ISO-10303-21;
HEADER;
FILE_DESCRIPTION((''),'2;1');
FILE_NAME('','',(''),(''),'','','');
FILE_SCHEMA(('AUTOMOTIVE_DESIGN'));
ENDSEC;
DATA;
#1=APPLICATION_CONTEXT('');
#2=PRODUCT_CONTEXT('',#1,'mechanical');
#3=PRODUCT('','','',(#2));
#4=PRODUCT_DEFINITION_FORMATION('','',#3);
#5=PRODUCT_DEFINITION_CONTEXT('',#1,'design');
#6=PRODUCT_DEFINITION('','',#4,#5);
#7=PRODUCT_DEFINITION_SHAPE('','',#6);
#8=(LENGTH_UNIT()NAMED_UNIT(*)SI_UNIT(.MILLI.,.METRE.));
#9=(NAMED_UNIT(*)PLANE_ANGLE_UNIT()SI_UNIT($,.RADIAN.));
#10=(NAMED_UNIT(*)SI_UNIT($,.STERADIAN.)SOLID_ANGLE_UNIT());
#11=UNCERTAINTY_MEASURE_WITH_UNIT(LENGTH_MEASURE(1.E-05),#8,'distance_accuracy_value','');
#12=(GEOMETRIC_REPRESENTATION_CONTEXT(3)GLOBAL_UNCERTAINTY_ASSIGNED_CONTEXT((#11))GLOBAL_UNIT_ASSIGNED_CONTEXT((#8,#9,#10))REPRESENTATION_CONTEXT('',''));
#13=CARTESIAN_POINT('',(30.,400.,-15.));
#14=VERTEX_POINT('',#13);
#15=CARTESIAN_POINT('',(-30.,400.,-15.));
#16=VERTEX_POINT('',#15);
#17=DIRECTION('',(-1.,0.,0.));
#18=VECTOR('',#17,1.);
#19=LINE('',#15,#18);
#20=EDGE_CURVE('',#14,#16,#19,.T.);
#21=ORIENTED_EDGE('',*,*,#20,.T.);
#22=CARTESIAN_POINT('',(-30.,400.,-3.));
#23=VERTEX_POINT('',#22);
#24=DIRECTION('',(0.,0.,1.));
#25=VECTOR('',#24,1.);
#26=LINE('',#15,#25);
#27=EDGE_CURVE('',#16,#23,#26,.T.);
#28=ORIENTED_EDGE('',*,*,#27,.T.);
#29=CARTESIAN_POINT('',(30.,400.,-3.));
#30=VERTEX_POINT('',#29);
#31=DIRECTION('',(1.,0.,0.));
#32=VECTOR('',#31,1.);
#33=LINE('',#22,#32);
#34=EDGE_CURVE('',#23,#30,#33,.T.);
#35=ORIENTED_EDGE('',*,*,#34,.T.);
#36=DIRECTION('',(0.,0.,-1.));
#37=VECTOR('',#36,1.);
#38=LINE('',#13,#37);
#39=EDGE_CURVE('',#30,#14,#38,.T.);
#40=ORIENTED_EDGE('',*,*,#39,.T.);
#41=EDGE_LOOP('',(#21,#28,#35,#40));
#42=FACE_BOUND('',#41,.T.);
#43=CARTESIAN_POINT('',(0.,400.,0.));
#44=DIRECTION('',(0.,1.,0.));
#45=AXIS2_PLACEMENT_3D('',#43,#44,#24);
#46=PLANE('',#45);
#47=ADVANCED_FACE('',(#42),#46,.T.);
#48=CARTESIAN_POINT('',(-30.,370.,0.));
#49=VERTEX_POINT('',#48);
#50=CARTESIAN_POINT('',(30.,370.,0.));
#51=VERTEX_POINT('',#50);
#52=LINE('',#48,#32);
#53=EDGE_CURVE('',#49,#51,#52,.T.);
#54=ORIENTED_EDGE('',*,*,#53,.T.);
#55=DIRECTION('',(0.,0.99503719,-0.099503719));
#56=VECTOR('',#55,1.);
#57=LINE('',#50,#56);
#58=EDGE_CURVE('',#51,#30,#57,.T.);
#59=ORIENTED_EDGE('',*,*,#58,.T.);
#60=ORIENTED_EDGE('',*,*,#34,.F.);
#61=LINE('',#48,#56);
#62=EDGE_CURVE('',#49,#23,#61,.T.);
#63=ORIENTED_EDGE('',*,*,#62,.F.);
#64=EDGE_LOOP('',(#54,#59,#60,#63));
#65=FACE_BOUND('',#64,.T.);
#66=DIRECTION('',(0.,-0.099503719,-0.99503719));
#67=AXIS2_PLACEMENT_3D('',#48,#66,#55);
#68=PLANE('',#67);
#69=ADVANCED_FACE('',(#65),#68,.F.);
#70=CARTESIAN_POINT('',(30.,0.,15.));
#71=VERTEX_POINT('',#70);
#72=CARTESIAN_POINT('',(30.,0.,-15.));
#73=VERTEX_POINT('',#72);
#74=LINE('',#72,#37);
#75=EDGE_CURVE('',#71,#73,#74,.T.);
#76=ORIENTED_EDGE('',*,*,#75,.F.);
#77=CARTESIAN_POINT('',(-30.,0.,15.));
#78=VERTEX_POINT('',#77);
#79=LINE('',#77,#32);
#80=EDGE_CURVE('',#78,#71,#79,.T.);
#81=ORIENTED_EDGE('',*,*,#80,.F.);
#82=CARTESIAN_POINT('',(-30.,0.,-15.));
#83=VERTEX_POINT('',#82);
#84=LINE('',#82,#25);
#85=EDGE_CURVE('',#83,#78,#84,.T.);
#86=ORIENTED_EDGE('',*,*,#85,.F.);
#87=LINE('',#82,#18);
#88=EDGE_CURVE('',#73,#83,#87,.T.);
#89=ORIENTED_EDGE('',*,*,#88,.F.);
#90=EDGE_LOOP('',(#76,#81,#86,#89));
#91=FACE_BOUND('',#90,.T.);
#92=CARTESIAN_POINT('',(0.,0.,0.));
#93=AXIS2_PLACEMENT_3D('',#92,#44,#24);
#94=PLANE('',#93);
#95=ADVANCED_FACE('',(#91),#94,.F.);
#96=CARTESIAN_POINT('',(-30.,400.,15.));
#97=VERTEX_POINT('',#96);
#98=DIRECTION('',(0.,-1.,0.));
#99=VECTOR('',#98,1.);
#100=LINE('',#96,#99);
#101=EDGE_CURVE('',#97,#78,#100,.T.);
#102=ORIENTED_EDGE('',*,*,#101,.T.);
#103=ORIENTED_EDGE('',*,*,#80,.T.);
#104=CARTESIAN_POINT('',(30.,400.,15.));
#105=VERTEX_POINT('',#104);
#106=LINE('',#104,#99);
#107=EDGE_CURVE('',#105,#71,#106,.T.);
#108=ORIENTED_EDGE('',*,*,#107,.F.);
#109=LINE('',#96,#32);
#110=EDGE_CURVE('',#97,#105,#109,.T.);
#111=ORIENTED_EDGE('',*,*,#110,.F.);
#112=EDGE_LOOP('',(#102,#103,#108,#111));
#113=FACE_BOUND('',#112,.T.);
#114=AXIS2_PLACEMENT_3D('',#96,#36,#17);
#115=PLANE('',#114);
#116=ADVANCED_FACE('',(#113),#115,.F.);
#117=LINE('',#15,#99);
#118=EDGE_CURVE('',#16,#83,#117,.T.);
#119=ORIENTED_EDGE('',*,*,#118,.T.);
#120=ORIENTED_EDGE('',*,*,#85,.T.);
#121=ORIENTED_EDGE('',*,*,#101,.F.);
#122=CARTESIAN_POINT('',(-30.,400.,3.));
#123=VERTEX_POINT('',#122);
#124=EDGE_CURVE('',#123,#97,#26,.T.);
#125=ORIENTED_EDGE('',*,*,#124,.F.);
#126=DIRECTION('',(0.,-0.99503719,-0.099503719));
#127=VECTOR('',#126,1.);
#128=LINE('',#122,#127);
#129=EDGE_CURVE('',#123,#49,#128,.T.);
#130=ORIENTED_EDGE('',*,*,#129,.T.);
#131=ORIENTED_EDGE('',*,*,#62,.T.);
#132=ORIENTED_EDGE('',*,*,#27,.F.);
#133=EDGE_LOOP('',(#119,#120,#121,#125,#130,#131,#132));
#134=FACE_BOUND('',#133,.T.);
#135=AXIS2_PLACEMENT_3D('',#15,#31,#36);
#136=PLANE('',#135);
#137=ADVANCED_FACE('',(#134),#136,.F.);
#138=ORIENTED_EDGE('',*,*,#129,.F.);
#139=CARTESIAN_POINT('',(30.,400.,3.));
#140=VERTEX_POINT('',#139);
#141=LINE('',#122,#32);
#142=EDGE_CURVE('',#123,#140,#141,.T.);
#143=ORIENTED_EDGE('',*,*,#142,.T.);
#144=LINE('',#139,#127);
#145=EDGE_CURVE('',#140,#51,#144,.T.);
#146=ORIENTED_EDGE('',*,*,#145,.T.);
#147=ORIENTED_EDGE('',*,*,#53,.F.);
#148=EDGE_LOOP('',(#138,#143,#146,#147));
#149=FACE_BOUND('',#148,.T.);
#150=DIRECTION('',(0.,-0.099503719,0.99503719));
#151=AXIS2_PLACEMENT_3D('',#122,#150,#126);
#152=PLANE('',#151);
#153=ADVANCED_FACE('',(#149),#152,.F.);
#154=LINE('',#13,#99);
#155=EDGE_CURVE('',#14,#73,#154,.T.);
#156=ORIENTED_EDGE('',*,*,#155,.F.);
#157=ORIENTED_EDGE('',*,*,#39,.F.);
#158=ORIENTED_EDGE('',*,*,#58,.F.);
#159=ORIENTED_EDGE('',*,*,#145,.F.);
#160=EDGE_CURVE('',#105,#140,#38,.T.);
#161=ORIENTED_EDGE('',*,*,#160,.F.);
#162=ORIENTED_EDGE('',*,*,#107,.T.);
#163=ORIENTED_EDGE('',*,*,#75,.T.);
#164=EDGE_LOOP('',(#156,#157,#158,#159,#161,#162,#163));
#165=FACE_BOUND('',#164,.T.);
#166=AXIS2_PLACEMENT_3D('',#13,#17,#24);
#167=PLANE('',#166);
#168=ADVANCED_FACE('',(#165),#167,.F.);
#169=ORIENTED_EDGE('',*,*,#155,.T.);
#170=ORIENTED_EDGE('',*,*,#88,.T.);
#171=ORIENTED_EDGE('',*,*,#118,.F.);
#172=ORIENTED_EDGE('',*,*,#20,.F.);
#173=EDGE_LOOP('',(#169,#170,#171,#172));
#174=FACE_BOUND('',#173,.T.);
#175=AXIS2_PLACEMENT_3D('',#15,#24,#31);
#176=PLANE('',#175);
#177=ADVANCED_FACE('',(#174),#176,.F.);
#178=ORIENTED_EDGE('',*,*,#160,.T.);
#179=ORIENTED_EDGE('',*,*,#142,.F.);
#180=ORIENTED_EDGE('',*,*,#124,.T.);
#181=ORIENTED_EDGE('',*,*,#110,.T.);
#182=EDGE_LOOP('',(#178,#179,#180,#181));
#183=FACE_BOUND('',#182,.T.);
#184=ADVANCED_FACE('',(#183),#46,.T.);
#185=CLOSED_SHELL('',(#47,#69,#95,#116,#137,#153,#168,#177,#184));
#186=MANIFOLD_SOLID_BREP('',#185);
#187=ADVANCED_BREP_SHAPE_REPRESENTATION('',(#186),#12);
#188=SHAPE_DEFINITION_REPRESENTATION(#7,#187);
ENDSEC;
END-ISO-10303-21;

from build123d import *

# Parameters (mm, degrees)
SKETCH1_W           = 60
SKETCH1_H           = 30
BOSS_EXTRUDE1_DEPTH = 400
CUT_EXTRUDE1_DEPTH  = 60


with BuildPart() as part:
    # Sketch1 → Boss-Extrude1 (new body)
    with BuildSketch(Plane(origin=(0, 0, 0), x_dir=(1, 0, 0), z_dir=(0, 1, 0))):
        Rectangle(SKETCH1_W, SKETCH1_H)
    extrude(amount=BOSS_EXTRUDE1_DEPTH)

    # Sketch2 → Cut-Extrude1 (cut)
    with BuildSketch(Plane(origin=(30, 0, 0), x_dir=(0, 0, -1), z_dir=(1, 0, 0))):
        Polygon((-3, 400), (0, 370), (3, 400), align=None)
    extrude(amount=-CUT_EXTRUDE1_DEPTH, mode=Mode.SUBTRACT)


solid = part.part
